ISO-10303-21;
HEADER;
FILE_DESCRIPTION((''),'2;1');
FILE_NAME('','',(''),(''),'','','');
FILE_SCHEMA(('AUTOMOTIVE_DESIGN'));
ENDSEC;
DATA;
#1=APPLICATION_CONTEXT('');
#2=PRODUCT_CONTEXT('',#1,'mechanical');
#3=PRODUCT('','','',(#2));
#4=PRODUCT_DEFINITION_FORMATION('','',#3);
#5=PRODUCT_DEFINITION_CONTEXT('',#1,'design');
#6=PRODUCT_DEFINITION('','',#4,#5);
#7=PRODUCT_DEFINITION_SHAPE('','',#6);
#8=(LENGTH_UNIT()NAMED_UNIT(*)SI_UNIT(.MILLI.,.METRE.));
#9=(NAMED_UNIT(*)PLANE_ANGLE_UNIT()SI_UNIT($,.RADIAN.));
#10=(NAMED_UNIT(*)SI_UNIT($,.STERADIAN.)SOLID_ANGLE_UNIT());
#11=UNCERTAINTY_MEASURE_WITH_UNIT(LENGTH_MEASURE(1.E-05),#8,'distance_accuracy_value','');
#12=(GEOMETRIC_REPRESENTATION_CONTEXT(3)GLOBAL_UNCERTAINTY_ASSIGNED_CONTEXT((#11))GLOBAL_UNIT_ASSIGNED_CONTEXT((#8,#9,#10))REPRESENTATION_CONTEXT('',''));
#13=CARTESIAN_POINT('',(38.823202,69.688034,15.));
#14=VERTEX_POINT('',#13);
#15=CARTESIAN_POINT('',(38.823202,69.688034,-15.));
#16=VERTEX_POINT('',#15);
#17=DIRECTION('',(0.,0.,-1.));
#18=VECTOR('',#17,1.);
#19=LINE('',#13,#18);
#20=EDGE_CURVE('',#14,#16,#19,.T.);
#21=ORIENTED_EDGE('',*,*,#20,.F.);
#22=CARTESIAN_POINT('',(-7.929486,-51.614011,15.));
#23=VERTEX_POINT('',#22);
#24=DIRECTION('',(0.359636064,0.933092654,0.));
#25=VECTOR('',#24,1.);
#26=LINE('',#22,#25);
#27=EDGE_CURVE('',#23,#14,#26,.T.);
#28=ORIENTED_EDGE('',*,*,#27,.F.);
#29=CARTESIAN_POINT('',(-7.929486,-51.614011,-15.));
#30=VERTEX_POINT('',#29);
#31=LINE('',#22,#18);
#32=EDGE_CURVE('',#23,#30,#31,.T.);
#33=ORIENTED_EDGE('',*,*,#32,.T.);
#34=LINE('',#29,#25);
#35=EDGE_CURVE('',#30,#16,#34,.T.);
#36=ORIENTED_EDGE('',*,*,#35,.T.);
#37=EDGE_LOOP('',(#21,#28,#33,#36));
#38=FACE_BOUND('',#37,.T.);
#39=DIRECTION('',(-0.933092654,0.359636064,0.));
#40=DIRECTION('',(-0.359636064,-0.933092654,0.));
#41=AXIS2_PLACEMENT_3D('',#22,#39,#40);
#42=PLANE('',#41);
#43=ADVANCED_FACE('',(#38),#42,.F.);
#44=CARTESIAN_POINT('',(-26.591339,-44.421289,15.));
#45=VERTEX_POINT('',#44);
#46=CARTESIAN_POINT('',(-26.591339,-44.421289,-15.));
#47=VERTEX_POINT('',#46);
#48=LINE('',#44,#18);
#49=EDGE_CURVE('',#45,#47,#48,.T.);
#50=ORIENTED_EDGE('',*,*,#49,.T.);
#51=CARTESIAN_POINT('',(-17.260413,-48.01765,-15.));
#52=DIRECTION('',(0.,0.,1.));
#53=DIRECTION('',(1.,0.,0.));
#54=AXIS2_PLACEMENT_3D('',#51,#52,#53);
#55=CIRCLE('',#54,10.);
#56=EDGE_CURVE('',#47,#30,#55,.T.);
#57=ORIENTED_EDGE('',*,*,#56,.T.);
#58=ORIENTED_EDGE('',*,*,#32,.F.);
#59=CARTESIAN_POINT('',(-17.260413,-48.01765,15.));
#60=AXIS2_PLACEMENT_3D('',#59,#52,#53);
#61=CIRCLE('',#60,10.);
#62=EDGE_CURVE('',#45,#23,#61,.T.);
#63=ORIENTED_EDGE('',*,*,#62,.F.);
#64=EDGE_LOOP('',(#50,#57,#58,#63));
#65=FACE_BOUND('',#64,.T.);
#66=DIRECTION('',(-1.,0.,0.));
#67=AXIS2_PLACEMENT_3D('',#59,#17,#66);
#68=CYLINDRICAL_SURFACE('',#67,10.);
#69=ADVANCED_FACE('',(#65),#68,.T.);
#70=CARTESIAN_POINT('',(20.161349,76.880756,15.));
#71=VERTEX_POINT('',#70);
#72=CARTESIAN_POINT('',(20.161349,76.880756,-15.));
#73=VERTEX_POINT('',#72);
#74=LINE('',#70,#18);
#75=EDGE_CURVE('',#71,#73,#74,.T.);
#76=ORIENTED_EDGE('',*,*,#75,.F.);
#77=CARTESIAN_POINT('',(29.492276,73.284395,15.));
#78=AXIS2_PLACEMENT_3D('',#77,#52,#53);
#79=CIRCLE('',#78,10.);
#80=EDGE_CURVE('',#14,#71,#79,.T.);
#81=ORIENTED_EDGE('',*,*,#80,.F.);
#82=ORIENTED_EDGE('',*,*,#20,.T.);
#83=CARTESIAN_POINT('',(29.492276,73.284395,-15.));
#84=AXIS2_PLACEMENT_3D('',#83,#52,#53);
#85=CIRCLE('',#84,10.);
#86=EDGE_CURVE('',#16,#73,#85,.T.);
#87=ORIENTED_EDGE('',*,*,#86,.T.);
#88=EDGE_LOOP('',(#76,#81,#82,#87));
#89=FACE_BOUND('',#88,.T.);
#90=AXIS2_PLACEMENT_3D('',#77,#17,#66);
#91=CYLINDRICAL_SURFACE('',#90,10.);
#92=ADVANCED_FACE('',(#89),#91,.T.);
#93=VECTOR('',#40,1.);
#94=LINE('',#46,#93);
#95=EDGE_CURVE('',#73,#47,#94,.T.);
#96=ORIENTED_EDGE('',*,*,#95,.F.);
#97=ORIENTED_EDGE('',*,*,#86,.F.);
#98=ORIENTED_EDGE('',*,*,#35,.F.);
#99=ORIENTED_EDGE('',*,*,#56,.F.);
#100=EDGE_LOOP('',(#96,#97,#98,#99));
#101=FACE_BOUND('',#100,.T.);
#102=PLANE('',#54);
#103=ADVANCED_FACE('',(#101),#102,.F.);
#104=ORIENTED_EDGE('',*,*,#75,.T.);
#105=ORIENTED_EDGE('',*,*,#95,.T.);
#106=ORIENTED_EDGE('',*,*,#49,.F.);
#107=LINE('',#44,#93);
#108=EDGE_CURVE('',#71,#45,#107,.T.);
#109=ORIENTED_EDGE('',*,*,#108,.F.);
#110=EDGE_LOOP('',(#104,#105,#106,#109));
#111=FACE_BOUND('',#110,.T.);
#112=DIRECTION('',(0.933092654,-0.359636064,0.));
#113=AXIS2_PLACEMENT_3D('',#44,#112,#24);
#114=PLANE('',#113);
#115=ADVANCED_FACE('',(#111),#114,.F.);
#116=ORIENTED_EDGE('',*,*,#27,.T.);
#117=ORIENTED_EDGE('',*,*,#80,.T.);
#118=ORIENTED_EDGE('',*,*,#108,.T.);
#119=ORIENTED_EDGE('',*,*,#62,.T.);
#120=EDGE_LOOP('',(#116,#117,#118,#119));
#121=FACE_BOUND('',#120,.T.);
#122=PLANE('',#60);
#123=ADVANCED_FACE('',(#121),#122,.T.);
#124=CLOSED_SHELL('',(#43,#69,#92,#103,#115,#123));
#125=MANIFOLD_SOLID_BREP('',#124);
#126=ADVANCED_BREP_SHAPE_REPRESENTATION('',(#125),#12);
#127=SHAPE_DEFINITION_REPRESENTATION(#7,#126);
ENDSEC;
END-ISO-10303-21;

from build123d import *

# Parameters (mm, degrees)
EXTRUDE_1_DEPTH = 15


with BuildPart() as part:
    # 草图1 → 凸台-拉伸1 (new, symmetric)
    with BuildSketch(Plane.XY):
        with BuildLine():
            Line((-26.591339139, -44.421289261), (20.161349235, 76.880755775))
            ThreePointArc((20.161349235, 76.880755775), (33.08863642, 82.615321672), (38.823202317, 69.688034486))
            Line((38.823202317, 69.688034486), (-7.929486057, -51.614010549))
            ThreePointArc((-7.929486057, -51.614010549), (-20.856773242, -57.348576446), (-26.591339139, -44.421289261))
        make_face()
    extrude(amount=EXTRUDE_1_DEPTH, both=True)


solid = part.part
